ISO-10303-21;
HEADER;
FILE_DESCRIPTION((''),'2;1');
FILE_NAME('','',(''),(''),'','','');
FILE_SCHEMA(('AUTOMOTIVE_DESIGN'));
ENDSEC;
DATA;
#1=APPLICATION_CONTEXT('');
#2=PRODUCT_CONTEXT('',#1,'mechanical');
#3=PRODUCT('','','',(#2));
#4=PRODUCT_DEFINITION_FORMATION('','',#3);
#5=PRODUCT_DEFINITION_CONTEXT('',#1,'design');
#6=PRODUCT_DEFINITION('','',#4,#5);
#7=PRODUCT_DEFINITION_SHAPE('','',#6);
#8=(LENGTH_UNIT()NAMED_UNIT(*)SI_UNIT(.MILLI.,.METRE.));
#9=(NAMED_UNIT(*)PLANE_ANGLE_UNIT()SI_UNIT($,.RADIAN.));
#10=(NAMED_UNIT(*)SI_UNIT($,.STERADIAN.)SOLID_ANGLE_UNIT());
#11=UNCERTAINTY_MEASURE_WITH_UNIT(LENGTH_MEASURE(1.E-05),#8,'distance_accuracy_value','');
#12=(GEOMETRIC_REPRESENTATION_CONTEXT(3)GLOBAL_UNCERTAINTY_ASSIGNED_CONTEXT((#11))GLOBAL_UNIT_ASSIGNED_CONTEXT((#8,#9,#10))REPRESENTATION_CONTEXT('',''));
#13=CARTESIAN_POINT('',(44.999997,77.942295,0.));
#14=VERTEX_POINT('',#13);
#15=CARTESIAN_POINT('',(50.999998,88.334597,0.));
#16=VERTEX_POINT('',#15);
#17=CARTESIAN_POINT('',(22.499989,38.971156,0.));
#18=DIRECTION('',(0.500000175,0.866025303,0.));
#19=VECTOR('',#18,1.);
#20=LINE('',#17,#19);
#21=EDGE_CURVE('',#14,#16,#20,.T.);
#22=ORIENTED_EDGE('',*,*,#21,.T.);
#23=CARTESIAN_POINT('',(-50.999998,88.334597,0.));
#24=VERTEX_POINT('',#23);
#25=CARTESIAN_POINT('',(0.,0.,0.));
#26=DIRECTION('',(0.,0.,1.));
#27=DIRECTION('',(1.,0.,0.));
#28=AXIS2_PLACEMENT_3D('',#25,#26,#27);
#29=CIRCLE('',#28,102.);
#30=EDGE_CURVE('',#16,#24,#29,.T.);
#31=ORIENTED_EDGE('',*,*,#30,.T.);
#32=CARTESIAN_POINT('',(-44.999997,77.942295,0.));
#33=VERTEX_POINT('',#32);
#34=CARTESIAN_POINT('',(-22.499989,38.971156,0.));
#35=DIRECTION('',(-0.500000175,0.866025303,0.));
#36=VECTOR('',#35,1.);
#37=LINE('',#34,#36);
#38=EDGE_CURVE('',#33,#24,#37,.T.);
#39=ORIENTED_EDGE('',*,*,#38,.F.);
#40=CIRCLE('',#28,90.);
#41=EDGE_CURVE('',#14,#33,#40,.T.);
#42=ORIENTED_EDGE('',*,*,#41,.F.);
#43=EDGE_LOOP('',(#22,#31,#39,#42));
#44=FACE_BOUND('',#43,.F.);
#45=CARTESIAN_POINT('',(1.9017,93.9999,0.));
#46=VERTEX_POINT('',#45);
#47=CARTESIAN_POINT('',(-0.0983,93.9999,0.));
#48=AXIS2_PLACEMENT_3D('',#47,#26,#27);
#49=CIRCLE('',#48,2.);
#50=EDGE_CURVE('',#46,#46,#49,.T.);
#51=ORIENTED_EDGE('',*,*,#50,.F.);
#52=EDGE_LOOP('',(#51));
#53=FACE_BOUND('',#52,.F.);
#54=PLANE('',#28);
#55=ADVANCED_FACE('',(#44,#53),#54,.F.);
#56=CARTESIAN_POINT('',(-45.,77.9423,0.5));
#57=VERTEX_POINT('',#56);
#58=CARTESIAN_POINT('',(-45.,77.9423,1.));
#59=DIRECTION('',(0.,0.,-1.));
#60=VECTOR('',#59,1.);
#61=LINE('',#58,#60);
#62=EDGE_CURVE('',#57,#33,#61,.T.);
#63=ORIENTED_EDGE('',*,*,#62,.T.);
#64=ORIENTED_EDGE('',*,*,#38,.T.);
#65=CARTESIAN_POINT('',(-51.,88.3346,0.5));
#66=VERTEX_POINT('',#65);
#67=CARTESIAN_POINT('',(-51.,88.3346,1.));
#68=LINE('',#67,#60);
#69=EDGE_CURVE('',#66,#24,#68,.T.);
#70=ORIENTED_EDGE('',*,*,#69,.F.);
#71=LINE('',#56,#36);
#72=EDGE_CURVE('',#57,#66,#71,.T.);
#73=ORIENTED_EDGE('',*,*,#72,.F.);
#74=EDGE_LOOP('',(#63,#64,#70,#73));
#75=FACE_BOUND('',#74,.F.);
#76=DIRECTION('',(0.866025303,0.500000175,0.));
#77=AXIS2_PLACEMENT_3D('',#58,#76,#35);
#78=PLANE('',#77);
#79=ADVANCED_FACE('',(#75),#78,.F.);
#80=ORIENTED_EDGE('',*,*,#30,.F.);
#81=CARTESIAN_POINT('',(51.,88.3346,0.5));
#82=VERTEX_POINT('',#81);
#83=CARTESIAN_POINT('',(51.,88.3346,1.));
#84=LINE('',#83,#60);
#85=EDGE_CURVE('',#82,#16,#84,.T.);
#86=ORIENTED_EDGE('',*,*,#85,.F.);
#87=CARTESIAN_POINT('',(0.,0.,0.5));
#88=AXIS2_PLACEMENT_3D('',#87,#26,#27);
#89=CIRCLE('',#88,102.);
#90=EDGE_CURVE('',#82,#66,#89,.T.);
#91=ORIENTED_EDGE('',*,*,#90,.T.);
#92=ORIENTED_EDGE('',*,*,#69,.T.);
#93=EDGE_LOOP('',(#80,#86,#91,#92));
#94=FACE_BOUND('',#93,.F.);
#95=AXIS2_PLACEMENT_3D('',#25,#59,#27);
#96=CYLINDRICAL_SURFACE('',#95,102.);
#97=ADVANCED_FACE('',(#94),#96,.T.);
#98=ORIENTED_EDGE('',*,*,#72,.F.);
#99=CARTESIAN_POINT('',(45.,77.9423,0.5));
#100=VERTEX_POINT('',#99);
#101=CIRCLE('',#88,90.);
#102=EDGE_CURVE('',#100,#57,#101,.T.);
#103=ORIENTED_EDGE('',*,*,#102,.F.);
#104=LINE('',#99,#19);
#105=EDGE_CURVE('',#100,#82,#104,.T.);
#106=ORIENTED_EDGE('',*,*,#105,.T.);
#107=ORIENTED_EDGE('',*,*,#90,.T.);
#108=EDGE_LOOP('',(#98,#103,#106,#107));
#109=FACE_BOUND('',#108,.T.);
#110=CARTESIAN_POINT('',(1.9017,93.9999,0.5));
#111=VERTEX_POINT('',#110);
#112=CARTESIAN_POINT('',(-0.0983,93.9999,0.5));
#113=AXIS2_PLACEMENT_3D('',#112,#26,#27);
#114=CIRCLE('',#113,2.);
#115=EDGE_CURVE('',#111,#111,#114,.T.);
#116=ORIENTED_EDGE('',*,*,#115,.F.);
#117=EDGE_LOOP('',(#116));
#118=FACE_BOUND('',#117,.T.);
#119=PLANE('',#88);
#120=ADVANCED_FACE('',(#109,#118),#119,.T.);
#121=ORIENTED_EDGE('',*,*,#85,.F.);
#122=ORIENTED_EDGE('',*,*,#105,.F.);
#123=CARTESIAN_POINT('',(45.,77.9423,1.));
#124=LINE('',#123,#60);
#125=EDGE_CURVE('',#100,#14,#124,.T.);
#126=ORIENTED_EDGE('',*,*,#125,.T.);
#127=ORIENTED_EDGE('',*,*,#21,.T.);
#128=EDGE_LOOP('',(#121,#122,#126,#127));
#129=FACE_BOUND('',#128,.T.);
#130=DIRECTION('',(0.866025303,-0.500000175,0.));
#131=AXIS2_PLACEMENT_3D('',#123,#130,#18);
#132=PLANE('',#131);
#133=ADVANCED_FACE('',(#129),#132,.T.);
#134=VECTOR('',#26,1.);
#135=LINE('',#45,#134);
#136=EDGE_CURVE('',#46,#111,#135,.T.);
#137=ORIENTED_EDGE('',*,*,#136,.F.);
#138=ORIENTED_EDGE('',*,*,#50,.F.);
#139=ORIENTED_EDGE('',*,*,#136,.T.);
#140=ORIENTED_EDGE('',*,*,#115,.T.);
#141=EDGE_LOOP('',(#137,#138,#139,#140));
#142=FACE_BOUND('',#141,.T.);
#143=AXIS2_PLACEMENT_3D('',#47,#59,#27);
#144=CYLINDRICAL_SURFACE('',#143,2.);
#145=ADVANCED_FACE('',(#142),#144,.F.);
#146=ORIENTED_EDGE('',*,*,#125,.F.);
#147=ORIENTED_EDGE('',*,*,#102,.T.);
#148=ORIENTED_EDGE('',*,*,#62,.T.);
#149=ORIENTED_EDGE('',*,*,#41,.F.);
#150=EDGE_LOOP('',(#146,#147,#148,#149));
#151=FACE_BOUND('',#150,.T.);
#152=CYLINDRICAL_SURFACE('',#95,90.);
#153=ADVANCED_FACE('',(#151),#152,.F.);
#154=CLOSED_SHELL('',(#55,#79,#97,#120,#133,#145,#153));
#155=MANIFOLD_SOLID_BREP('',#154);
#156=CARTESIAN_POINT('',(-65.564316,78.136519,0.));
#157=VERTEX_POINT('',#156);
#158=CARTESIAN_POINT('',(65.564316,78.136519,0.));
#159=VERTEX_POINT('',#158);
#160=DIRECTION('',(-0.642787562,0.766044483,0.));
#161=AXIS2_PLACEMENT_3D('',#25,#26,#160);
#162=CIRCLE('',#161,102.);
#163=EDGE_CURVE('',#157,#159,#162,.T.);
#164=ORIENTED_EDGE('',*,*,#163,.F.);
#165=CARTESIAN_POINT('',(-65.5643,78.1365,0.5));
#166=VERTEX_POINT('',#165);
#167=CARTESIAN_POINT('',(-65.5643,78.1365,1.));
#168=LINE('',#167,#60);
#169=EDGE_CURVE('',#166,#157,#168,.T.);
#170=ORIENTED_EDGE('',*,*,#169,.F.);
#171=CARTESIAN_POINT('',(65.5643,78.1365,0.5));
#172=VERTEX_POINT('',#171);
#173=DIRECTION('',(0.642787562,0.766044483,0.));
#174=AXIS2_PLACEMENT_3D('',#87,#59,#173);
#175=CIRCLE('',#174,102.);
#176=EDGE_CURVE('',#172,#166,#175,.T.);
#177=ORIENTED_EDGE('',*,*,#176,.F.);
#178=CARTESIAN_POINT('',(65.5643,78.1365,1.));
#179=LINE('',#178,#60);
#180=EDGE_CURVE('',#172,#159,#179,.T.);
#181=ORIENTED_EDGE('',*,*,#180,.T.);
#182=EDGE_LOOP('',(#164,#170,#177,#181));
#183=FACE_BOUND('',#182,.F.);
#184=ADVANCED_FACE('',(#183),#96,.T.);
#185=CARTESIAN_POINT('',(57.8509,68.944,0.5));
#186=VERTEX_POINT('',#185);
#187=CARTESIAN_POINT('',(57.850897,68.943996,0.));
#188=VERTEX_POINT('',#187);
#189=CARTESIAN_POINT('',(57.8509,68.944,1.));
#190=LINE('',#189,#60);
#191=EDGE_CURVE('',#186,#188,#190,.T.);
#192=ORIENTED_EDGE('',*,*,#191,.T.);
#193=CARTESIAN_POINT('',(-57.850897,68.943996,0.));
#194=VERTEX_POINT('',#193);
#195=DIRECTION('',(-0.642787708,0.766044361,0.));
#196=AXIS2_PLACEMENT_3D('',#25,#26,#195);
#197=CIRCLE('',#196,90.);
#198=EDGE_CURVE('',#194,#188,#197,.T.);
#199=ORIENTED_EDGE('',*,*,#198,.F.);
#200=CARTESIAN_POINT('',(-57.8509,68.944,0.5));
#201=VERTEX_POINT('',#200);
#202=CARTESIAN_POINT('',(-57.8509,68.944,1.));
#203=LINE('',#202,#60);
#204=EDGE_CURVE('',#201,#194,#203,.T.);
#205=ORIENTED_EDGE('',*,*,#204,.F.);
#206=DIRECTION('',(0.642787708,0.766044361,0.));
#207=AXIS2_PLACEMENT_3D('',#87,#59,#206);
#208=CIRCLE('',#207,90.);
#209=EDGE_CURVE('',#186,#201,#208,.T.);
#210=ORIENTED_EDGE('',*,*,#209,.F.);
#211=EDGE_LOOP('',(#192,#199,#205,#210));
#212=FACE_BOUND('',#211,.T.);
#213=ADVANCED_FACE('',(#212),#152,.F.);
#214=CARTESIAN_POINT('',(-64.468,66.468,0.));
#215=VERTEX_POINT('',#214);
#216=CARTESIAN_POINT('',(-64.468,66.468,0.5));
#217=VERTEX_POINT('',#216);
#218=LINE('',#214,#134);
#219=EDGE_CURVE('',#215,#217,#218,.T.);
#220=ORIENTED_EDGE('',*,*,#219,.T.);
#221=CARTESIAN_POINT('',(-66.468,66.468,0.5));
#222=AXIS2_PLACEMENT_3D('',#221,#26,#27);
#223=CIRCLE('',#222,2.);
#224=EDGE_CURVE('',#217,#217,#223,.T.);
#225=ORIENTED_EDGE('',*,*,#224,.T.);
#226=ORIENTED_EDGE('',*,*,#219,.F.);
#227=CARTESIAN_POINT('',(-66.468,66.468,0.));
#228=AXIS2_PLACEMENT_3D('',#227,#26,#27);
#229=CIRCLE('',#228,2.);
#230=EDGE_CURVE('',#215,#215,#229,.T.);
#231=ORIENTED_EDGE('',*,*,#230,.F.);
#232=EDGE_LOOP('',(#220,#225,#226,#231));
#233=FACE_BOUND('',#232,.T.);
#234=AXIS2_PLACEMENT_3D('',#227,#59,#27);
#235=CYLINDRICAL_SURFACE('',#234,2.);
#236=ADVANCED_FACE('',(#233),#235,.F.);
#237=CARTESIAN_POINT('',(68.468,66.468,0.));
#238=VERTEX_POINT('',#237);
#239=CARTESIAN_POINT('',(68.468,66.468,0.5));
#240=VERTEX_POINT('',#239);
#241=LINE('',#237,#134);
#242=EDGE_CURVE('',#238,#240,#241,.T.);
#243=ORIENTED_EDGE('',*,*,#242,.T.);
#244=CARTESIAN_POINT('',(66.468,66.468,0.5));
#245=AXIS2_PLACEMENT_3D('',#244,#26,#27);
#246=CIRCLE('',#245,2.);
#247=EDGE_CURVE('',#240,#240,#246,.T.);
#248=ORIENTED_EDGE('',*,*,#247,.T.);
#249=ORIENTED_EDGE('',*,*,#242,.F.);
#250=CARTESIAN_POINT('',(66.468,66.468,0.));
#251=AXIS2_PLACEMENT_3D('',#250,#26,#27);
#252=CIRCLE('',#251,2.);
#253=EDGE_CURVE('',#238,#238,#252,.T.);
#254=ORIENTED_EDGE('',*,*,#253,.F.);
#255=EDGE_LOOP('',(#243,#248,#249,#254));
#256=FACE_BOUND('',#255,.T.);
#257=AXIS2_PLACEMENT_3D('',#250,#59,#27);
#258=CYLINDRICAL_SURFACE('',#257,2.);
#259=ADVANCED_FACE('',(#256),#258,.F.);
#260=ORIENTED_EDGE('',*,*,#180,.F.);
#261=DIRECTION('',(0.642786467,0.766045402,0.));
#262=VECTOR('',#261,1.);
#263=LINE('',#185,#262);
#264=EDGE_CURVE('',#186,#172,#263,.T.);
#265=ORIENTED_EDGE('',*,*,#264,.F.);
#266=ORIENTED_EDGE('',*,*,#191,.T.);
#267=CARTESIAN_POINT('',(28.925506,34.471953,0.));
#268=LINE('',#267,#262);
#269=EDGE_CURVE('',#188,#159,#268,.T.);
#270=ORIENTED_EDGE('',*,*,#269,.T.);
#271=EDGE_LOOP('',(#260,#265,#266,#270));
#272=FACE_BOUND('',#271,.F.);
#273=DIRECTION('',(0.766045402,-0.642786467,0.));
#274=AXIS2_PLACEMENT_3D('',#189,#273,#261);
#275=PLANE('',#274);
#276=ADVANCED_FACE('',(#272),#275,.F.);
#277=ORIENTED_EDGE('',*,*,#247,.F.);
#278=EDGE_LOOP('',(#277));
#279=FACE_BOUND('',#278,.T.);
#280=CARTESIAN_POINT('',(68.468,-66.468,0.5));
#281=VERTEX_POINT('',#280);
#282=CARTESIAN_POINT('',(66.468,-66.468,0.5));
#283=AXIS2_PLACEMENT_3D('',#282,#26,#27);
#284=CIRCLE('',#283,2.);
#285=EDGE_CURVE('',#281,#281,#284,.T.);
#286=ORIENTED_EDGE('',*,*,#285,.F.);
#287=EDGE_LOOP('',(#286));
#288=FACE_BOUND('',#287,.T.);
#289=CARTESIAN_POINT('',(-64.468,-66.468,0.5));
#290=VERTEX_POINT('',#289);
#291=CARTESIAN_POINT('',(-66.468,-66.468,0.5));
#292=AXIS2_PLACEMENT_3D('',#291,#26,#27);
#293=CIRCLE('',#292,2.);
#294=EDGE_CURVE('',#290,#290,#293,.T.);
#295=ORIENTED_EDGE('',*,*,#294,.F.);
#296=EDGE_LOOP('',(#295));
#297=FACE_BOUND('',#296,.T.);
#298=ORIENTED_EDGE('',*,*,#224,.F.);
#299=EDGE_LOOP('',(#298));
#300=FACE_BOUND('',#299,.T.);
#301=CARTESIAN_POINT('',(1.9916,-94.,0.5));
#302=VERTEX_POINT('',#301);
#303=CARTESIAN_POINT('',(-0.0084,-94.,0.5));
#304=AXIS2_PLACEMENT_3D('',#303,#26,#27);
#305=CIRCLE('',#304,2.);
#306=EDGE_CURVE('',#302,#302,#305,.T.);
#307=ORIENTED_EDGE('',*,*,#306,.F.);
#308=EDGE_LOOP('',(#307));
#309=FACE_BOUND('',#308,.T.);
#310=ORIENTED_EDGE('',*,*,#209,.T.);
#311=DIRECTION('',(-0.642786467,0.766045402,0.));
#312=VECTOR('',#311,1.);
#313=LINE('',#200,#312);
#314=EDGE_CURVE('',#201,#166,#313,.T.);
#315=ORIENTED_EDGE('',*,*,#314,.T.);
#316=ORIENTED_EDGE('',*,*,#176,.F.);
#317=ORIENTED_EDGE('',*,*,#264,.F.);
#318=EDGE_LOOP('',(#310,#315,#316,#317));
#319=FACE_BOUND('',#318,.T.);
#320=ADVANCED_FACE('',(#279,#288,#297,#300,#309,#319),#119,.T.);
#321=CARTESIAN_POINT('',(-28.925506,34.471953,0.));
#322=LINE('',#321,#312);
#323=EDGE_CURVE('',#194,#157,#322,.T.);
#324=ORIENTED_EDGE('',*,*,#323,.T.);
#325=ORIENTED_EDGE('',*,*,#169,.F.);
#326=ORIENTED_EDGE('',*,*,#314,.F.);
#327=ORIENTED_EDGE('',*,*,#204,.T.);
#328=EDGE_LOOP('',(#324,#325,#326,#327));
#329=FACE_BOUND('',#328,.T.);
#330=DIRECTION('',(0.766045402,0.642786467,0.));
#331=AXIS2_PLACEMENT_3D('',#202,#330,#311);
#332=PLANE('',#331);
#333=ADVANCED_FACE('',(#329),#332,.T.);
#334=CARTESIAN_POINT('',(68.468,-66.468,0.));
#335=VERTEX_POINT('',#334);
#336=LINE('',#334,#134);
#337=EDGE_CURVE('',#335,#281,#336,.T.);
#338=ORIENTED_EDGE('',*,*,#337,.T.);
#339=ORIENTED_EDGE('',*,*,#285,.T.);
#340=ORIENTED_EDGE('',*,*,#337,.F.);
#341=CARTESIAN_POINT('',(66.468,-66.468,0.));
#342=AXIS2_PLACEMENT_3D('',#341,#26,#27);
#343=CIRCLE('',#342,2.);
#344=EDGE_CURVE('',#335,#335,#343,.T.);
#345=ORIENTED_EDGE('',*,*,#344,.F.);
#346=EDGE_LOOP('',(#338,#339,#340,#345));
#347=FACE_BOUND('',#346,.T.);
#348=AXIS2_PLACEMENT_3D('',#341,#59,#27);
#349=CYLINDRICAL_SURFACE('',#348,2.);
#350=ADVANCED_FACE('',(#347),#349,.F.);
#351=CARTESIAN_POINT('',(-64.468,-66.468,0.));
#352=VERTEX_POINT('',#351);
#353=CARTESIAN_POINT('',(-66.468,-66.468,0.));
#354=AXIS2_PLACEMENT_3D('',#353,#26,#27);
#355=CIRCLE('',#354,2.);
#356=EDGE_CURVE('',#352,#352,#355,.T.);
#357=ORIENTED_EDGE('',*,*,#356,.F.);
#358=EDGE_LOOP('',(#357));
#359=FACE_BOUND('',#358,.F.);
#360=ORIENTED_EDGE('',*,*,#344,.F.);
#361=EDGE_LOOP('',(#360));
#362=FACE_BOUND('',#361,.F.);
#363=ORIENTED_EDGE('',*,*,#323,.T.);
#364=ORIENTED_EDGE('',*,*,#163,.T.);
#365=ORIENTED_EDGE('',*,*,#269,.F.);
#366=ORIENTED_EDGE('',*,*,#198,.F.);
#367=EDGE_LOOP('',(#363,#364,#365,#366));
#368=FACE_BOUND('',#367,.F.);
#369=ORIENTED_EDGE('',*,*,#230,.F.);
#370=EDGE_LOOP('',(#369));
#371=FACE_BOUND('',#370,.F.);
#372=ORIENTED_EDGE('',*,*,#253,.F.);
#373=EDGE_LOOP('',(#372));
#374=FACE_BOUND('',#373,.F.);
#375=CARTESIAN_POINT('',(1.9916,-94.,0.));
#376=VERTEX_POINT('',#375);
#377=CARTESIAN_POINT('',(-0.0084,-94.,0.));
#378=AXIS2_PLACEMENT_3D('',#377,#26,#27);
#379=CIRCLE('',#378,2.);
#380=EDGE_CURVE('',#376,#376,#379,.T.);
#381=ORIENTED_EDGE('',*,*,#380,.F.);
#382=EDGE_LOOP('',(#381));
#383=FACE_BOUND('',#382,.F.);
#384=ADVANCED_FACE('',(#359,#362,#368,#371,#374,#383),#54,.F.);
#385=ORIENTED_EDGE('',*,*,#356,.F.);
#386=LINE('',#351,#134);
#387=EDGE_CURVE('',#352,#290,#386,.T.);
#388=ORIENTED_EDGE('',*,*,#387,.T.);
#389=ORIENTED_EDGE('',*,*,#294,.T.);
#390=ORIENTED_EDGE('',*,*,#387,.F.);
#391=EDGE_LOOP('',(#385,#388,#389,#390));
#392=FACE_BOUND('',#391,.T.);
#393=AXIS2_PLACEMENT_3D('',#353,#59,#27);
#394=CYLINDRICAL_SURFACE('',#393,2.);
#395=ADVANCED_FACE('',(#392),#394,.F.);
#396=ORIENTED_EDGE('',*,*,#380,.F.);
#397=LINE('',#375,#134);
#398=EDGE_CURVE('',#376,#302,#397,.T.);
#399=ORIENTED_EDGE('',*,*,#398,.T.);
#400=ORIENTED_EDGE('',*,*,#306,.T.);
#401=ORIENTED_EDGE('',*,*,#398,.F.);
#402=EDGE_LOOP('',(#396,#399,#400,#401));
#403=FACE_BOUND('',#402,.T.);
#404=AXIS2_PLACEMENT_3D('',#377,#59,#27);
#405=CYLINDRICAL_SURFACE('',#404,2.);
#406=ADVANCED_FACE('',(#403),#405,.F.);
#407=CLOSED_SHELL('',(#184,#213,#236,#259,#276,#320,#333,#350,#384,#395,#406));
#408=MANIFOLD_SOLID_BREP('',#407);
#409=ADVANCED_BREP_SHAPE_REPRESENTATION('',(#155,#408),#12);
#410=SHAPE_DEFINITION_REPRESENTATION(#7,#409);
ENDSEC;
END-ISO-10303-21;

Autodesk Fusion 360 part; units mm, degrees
sketch "Sketch1" plane through (0, 0, 0) normal (0, 0, 1) x (1, 0, 0)
  circle A0 centre (0, 0) radius 102
  circle A1 centre (0, 0) radius 90
  circle A2 centre (0, 0) radius 94 construction
  circle A3 centre (-0.0983, 93.9999) radius 2
  circle A4 centre (-0.0084, -94) radius 2
  line L0 (0, 0) -> (66.468, 66.468) construction
  line L1 (0, 0) -> (94, 0) construction
  line L2 (-160, 0) -> (153.4074, 0) construction
  line L3 (0, 0) -> (-66.468, 66.468) construction
  line L4 (0, 0) -> (94, 0) construction
  circle A5 centre (-66.468, 66.468) radius 2
  circle A6 centre (66.468, 66.468) radius 2
  circle A7 centre (-66.468, -66.468) radius 2
  circle A8 centre (66.468, -66.468) radius 2
  dimension "d1" = 204
  dimension "d2" = 180
  dimension "d3" = 188
  dimension "d4" = 4
  dimension "d5" = 4
  dimension "d6" = 45
  dimension "d7" = 135
  dimension "d8" = 4
  dimension "d9" = 4
extrude "Extrude1" add sketch "Sketch1" along normal blind 1 makes body 1
sketch "Sketch2" plane through (0, 0, 1) normal (0, 0, 1) x (-1, 0, 0)
  circle A0 centre (66.468, -66.468) radius 2
  circle A1 centre (0.0983, -93.9999) radius 2
  circle A2 centre (-66.468, 66.468) radius 2
  circle A3 centre (66.468, 66.468) radius 2
  circle A4 centre (0, 0) radius 90
  circle A5 centre (0.0084, 94) radius 2
  circle A6 centre (-66.468, -66.468) radius 2
  circle A7 centre (0, 0) radius 102
  line L0 (57.8509, -68.944) -> (65.5643, -78.1365)
  line L1 (0, 0) -> (102, 0) construction
  line L2 (45, -77.9423) -> (51, -88.3346)
  line L3 (0, 0) -> (102, 0) construction
  line L4 (-45, -77.9423) -> (-51, -88.3346)
  line L5 (0, 0) -> (102, 0) construction
  line L6 (-57.8509, -68.944) -> (-65.5643, -78.1365)
  line L7 (0, 0) -> (102, 0) construction
  dimension "d12" = 50
  dimension "d13" = 60
  dimension "d14" = 120
  dimension "d15" = 130
extrude "Extrude2" cut sketch "Sketch2" against normal blind 2 contours A4 A7 L4 L6 | A4 A7 L0 L2 bodies 1 makes body 2 at (-40.3818, 89.0208, 0)
extrude "Extrude3" cut 2 faces at (75.256, -58.3928, 1) (-40.3818, 89.0208, 1) along direction (0, 0, -1) blind 0.5 on bodies 1 2 bodies 1 2
